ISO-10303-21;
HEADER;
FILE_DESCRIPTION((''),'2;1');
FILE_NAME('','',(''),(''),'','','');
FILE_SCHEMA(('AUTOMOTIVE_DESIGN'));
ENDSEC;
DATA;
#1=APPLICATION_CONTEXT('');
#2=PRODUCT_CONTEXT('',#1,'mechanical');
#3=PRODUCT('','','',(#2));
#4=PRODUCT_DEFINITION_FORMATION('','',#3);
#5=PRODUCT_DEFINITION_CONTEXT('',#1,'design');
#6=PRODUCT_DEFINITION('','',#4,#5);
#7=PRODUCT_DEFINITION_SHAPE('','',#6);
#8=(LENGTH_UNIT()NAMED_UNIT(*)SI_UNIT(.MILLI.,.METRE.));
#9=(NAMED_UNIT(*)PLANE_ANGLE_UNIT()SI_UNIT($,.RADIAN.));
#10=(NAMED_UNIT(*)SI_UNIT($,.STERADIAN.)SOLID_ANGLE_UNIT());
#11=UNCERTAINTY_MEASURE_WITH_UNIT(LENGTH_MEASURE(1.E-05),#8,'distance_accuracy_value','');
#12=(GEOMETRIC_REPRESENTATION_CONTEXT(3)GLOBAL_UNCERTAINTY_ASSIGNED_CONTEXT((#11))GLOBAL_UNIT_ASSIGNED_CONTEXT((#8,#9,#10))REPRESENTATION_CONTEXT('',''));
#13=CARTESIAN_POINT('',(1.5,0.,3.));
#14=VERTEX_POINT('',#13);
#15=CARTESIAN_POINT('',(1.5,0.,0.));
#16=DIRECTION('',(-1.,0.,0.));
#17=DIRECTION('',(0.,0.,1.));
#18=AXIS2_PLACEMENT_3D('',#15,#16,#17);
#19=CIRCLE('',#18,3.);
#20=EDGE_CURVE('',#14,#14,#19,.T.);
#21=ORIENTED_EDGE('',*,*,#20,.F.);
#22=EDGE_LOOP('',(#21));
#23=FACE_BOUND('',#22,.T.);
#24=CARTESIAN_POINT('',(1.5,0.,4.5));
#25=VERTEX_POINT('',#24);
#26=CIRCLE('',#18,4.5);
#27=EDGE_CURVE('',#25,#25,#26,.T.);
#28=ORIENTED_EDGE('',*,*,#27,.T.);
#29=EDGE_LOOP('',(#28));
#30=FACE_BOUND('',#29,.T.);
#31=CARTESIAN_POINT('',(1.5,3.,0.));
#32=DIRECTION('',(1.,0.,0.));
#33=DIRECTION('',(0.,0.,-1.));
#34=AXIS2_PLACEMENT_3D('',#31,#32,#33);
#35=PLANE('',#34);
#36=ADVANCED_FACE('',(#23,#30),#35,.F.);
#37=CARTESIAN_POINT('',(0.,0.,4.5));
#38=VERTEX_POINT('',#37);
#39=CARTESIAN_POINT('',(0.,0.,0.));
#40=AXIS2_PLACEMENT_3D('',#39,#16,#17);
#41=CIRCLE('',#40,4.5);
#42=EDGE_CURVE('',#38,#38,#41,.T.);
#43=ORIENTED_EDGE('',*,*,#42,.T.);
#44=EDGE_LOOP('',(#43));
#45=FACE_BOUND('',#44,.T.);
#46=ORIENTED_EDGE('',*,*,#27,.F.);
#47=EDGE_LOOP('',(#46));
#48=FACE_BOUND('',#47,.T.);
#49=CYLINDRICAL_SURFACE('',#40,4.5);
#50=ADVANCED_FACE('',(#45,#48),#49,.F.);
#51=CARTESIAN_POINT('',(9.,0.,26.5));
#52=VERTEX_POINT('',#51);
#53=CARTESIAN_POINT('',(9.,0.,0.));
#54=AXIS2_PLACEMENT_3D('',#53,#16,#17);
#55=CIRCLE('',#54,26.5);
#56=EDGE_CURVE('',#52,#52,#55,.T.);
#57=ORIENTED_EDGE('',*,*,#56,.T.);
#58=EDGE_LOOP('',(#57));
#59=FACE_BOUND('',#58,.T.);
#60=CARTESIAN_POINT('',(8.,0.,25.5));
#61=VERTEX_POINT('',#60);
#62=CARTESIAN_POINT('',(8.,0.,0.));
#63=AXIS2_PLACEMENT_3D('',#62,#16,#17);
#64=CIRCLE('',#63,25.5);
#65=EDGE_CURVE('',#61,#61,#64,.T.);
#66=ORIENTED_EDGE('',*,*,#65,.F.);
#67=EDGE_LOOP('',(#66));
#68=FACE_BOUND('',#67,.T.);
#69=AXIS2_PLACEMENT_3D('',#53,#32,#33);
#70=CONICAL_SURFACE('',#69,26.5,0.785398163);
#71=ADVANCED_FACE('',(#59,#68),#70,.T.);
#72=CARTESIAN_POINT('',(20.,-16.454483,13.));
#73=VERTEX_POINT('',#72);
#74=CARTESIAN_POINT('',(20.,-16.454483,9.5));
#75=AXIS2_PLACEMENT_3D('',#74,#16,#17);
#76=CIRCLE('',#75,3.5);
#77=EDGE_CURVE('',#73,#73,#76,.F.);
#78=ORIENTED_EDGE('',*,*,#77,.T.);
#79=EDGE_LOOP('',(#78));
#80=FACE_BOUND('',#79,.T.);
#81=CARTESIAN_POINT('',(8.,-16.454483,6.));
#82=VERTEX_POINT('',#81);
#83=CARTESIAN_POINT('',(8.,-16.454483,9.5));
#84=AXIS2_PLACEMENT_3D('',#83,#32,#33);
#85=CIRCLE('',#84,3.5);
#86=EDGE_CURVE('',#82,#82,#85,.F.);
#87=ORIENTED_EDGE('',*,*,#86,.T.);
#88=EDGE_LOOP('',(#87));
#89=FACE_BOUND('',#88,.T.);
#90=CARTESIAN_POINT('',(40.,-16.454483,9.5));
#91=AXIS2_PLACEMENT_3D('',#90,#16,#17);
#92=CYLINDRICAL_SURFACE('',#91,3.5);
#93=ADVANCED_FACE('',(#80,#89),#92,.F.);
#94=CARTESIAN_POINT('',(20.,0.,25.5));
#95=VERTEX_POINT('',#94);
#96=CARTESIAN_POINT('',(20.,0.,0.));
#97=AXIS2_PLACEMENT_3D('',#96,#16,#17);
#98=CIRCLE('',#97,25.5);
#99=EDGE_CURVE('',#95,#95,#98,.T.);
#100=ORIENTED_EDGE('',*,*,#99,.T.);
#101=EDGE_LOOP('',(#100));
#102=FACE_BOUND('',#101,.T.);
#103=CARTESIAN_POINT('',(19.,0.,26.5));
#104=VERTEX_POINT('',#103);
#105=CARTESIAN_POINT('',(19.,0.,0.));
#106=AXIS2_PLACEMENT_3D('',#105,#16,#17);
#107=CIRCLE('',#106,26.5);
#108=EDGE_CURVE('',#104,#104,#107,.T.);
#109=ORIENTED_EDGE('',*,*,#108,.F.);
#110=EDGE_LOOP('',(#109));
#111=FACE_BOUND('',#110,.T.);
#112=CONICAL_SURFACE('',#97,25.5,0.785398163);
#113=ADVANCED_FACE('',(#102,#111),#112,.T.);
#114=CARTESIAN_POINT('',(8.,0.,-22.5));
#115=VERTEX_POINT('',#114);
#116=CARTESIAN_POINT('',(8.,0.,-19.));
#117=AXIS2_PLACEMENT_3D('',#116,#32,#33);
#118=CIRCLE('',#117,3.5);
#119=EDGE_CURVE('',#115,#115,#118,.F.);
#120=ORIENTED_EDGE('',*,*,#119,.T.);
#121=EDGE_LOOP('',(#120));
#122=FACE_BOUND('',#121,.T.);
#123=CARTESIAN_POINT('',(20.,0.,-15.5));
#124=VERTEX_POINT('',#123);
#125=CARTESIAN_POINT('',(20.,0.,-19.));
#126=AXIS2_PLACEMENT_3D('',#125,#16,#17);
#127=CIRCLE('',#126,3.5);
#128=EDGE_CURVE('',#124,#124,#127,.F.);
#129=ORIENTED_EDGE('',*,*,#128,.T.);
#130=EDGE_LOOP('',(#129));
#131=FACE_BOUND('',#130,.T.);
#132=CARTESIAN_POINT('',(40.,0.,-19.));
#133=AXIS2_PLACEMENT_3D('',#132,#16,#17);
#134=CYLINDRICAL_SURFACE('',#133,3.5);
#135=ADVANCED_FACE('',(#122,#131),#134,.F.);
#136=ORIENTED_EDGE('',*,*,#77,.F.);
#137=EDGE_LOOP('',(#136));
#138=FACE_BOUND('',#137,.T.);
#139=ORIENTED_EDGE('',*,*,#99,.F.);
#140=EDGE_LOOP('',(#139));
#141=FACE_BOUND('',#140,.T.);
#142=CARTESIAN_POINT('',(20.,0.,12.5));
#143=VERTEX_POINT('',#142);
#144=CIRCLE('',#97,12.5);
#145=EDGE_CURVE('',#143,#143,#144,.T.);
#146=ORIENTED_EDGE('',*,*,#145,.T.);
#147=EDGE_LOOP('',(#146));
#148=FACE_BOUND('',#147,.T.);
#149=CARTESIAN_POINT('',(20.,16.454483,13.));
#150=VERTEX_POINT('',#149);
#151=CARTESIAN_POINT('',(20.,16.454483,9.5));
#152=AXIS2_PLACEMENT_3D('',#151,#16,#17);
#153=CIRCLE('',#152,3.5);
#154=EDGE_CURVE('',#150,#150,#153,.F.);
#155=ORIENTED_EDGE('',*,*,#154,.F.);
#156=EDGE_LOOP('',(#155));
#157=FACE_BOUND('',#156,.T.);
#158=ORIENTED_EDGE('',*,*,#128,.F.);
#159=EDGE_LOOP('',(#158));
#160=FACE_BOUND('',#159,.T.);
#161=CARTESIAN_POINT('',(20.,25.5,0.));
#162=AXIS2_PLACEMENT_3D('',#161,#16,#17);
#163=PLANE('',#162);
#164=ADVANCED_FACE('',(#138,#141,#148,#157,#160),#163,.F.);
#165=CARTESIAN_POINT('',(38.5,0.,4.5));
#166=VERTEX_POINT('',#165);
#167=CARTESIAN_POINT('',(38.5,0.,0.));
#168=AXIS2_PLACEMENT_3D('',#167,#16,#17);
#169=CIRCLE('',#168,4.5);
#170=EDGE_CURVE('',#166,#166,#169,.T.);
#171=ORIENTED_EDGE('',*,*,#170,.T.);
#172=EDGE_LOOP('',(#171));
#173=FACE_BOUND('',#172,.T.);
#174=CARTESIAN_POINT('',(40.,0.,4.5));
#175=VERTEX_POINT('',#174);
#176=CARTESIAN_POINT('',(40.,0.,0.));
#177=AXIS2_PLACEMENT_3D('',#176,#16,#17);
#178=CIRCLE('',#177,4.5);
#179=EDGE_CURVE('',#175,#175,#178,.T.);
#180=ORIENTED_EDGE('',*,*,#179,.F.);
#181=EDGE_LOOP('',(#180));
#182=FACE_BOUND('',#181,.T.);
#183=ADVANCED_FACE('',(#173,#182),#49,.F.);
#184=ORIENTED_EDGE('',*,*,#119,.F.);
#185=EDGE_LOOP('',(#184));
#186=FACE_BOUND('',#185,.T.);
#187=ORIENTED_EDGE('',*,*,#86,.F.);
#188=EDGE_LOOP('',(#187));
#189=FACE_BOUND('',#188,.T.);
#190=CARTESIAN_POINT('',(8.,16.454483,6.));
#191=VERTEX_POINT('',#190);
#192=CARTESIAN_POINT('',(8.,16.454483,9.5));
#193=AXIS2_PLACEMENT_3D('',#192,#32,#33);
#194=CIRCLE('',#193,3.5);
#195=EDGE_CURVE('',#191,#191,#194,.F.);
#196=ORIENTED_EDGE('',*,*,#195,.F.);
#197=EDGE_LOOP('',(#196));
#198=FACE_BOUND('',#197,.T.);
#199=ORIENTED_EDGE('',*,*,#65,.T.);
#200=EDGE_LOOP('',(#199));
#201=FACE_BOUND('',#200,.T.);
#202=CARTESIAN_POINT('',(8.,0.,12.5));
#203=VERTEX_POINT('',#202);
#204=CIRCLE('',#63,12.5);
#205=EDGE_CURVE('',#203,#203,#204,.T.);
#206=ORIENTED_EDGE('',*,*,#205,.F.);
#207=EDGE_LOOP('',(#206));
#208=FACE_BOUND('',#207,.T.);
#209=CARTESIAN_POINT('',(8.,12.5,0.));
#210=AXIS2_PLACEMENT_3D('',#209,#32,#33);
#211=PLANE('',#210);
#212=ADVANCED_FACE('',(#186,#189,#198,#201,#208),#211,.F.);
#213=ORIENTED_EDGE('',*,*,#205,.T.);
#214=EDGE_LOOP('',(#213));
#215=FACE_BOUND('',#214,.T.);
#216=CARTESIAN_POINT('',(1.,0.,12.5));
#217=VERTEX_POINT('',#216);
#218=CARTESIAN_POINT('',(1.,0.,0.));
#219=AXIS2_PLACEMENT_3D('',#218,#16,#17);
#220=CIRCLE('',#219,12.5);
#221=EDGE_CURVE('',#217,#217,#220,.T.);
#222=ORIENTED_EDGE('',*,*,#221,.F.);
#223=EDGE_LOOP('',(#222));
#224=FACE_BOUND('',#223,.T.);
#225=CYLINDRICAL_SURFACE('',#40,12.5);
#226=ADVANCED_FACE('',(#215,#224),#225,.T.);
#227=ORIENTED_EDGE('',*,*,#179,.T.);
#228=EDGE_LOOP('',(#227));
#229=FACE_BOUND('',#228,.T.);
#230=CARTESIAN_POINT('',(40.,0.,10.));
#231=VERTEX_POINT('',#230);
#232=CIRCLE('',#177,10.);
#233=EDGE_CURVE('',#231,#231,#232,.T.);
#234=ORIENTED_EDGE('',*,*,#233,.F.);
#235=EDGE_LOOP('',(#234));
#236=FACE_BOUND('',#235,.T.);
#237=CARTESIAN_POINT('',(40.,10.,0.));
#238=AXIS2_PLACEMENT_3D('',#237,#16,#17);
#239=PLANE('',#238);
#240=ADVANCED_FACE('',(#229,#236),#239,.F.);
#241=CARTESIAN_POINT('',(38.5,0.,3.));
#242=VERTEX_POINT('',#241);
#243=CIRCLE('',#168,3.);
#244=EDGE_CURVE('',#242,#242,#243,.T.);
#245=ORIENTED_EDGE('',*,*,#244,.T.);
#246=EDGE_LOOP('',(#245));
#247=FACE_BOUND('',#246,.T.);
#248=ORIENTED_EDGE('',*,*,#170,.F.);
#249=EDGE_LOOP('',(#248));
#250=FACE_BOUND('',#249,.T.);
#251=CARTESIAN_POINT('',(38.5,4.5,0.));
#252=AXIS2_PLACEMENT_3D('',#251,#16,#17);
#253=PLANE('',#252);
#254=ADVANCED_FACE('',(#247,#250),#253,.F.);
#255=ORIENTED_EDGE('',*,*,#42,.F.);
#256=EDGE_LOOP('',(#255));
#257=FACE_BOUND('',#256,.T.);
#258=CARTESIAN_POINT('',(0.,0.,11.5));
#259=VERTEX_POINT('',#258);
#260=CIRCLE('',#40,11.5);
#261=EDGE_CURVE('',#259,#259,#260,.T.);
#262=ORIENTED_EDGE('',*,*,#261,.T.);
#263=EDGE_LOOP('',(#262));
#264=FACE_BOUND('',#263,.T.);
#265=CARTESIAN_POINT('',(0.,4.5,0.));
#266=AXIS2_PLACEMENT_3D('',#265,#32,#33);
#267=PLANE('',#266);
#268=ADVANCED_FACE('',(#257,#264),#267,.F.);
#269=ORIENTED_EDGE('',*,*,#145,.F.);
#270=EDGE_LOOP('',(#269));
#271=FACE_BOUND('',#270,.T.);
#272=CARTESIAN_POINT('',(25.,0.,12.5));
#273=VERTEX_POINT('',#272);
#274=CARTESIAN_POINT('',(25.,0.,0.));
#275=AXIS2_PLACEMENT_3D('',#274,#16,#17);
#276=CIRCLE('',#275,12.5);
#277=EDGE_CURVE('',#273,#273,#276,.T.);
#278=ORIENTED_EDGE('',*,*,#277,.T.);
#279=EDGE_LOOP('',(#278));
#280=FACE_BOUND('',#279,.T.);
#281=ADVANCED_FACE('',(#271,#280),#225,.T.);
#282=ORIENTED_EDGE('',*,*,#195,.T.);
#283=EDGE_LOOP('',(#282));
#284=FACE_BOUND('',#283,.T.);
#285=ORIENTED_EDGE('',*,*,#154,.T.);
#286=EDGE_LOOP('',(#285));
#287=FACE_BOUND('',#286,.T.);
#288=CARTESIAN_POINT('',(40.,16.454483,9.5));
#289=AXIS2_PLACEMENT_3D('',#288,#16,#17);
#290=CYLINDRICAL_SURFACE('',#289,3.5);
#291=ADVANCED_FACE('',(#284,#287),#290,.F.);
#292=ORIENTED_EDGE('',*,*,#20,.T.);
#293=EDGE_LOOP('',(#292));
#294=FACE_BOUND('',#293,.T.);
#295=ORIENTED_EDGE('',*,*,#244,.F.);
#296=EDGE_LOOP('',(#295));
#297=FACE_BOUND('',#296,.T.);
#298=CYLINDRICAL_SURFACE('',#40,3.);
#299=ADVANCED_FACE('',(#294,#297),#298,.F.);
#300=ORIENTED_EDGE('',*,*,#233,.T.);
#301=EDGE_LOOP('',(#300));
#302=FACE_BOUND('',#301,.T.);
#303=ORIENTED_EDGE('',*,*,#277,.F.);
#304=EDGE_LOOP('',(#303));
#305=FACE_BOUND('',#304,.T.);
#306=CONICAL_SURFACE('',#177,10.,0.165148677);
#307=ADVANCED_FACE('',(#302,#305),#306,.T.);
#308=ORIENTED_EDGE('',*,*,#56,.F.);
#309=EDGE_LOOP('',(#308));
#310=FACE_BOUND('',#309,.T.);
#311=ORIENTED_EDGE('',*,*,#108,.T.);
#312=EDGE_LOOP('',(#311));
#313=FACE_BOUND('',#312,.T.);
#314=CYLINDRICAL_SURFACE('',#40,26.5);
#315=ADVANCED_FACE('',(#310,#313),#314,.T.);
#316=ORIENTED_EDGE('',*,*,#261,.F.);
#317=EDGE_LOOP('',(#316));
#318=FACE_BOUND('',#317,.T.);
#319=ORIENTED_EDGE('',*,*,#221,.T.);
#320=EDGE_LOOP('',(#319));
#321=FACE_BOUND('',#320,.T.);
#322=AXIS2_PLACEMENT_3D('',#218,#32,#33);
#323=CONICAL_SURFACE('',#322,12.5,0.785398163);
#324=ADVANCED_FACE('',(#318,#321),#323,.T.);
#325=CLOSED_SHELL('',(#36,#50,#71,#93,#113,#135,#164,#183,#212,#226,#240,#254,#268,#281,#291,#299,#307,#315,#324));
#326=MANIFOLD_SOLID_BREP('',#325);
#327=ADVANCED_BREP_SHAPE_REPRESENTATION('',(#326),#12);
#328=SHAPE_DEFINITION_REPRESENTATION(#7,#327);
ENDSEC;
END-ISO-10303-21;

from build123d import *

# Parameters (mm, degrees)
SKETCH_2_R          = 3.5
CUT_EXTRUDE_1_DEPTH = 55.813319549


with BuildPart() as part:
    # 草图1 → 旋转1 (revolve)
    with BuildSketch(Plane.XY, mode=Mode.PRIVATE) as revolve_1_sk:
        Polygon((0, 11.5), (1, 12.5), (8, 12.5), (8, 25.5), (9, 26.5), (19, 26.5), (20, 25.5), (20, 12.5), (25, 12.5), (40, 10), (40, 4.5), (38.5, 4.5), (38.5, 3), (1.5, 3), (1.5, 4.5), (0, 4.5), align=None)
    revolve(revolve_1_sk.sketch.rotate(Axis((0, 0, 0), (1, 0, 0)), 90), axis=Axis((0, 0, 0), (1, 0, 0)))

    # 草图2 → 切除-拉伸1 (cut, through all)
    with BuildSketch(Plane(origin=(0, 0, 0), x_dir=(0, 0, -1), z_dir=(1, 0, 0))):
        with Locations(Location((19, 0, 0), (0, 0, 180))):
            Circle(SKETCH_2_R)
        with Locations(Location((-9.5, 16.454482672, 0), (0, 0, 180))):
            Circle(SKETCH_2_R)
        with Locations(Location((-9.5, -16.454482672, 0), (0, 0, 180))):
            Circle(SKETCH_2_R)
    extrude(amount=CUT_EXTRUDE_1_DEPTH, mode=Mode.SUBTRACT)


solid = part.part
